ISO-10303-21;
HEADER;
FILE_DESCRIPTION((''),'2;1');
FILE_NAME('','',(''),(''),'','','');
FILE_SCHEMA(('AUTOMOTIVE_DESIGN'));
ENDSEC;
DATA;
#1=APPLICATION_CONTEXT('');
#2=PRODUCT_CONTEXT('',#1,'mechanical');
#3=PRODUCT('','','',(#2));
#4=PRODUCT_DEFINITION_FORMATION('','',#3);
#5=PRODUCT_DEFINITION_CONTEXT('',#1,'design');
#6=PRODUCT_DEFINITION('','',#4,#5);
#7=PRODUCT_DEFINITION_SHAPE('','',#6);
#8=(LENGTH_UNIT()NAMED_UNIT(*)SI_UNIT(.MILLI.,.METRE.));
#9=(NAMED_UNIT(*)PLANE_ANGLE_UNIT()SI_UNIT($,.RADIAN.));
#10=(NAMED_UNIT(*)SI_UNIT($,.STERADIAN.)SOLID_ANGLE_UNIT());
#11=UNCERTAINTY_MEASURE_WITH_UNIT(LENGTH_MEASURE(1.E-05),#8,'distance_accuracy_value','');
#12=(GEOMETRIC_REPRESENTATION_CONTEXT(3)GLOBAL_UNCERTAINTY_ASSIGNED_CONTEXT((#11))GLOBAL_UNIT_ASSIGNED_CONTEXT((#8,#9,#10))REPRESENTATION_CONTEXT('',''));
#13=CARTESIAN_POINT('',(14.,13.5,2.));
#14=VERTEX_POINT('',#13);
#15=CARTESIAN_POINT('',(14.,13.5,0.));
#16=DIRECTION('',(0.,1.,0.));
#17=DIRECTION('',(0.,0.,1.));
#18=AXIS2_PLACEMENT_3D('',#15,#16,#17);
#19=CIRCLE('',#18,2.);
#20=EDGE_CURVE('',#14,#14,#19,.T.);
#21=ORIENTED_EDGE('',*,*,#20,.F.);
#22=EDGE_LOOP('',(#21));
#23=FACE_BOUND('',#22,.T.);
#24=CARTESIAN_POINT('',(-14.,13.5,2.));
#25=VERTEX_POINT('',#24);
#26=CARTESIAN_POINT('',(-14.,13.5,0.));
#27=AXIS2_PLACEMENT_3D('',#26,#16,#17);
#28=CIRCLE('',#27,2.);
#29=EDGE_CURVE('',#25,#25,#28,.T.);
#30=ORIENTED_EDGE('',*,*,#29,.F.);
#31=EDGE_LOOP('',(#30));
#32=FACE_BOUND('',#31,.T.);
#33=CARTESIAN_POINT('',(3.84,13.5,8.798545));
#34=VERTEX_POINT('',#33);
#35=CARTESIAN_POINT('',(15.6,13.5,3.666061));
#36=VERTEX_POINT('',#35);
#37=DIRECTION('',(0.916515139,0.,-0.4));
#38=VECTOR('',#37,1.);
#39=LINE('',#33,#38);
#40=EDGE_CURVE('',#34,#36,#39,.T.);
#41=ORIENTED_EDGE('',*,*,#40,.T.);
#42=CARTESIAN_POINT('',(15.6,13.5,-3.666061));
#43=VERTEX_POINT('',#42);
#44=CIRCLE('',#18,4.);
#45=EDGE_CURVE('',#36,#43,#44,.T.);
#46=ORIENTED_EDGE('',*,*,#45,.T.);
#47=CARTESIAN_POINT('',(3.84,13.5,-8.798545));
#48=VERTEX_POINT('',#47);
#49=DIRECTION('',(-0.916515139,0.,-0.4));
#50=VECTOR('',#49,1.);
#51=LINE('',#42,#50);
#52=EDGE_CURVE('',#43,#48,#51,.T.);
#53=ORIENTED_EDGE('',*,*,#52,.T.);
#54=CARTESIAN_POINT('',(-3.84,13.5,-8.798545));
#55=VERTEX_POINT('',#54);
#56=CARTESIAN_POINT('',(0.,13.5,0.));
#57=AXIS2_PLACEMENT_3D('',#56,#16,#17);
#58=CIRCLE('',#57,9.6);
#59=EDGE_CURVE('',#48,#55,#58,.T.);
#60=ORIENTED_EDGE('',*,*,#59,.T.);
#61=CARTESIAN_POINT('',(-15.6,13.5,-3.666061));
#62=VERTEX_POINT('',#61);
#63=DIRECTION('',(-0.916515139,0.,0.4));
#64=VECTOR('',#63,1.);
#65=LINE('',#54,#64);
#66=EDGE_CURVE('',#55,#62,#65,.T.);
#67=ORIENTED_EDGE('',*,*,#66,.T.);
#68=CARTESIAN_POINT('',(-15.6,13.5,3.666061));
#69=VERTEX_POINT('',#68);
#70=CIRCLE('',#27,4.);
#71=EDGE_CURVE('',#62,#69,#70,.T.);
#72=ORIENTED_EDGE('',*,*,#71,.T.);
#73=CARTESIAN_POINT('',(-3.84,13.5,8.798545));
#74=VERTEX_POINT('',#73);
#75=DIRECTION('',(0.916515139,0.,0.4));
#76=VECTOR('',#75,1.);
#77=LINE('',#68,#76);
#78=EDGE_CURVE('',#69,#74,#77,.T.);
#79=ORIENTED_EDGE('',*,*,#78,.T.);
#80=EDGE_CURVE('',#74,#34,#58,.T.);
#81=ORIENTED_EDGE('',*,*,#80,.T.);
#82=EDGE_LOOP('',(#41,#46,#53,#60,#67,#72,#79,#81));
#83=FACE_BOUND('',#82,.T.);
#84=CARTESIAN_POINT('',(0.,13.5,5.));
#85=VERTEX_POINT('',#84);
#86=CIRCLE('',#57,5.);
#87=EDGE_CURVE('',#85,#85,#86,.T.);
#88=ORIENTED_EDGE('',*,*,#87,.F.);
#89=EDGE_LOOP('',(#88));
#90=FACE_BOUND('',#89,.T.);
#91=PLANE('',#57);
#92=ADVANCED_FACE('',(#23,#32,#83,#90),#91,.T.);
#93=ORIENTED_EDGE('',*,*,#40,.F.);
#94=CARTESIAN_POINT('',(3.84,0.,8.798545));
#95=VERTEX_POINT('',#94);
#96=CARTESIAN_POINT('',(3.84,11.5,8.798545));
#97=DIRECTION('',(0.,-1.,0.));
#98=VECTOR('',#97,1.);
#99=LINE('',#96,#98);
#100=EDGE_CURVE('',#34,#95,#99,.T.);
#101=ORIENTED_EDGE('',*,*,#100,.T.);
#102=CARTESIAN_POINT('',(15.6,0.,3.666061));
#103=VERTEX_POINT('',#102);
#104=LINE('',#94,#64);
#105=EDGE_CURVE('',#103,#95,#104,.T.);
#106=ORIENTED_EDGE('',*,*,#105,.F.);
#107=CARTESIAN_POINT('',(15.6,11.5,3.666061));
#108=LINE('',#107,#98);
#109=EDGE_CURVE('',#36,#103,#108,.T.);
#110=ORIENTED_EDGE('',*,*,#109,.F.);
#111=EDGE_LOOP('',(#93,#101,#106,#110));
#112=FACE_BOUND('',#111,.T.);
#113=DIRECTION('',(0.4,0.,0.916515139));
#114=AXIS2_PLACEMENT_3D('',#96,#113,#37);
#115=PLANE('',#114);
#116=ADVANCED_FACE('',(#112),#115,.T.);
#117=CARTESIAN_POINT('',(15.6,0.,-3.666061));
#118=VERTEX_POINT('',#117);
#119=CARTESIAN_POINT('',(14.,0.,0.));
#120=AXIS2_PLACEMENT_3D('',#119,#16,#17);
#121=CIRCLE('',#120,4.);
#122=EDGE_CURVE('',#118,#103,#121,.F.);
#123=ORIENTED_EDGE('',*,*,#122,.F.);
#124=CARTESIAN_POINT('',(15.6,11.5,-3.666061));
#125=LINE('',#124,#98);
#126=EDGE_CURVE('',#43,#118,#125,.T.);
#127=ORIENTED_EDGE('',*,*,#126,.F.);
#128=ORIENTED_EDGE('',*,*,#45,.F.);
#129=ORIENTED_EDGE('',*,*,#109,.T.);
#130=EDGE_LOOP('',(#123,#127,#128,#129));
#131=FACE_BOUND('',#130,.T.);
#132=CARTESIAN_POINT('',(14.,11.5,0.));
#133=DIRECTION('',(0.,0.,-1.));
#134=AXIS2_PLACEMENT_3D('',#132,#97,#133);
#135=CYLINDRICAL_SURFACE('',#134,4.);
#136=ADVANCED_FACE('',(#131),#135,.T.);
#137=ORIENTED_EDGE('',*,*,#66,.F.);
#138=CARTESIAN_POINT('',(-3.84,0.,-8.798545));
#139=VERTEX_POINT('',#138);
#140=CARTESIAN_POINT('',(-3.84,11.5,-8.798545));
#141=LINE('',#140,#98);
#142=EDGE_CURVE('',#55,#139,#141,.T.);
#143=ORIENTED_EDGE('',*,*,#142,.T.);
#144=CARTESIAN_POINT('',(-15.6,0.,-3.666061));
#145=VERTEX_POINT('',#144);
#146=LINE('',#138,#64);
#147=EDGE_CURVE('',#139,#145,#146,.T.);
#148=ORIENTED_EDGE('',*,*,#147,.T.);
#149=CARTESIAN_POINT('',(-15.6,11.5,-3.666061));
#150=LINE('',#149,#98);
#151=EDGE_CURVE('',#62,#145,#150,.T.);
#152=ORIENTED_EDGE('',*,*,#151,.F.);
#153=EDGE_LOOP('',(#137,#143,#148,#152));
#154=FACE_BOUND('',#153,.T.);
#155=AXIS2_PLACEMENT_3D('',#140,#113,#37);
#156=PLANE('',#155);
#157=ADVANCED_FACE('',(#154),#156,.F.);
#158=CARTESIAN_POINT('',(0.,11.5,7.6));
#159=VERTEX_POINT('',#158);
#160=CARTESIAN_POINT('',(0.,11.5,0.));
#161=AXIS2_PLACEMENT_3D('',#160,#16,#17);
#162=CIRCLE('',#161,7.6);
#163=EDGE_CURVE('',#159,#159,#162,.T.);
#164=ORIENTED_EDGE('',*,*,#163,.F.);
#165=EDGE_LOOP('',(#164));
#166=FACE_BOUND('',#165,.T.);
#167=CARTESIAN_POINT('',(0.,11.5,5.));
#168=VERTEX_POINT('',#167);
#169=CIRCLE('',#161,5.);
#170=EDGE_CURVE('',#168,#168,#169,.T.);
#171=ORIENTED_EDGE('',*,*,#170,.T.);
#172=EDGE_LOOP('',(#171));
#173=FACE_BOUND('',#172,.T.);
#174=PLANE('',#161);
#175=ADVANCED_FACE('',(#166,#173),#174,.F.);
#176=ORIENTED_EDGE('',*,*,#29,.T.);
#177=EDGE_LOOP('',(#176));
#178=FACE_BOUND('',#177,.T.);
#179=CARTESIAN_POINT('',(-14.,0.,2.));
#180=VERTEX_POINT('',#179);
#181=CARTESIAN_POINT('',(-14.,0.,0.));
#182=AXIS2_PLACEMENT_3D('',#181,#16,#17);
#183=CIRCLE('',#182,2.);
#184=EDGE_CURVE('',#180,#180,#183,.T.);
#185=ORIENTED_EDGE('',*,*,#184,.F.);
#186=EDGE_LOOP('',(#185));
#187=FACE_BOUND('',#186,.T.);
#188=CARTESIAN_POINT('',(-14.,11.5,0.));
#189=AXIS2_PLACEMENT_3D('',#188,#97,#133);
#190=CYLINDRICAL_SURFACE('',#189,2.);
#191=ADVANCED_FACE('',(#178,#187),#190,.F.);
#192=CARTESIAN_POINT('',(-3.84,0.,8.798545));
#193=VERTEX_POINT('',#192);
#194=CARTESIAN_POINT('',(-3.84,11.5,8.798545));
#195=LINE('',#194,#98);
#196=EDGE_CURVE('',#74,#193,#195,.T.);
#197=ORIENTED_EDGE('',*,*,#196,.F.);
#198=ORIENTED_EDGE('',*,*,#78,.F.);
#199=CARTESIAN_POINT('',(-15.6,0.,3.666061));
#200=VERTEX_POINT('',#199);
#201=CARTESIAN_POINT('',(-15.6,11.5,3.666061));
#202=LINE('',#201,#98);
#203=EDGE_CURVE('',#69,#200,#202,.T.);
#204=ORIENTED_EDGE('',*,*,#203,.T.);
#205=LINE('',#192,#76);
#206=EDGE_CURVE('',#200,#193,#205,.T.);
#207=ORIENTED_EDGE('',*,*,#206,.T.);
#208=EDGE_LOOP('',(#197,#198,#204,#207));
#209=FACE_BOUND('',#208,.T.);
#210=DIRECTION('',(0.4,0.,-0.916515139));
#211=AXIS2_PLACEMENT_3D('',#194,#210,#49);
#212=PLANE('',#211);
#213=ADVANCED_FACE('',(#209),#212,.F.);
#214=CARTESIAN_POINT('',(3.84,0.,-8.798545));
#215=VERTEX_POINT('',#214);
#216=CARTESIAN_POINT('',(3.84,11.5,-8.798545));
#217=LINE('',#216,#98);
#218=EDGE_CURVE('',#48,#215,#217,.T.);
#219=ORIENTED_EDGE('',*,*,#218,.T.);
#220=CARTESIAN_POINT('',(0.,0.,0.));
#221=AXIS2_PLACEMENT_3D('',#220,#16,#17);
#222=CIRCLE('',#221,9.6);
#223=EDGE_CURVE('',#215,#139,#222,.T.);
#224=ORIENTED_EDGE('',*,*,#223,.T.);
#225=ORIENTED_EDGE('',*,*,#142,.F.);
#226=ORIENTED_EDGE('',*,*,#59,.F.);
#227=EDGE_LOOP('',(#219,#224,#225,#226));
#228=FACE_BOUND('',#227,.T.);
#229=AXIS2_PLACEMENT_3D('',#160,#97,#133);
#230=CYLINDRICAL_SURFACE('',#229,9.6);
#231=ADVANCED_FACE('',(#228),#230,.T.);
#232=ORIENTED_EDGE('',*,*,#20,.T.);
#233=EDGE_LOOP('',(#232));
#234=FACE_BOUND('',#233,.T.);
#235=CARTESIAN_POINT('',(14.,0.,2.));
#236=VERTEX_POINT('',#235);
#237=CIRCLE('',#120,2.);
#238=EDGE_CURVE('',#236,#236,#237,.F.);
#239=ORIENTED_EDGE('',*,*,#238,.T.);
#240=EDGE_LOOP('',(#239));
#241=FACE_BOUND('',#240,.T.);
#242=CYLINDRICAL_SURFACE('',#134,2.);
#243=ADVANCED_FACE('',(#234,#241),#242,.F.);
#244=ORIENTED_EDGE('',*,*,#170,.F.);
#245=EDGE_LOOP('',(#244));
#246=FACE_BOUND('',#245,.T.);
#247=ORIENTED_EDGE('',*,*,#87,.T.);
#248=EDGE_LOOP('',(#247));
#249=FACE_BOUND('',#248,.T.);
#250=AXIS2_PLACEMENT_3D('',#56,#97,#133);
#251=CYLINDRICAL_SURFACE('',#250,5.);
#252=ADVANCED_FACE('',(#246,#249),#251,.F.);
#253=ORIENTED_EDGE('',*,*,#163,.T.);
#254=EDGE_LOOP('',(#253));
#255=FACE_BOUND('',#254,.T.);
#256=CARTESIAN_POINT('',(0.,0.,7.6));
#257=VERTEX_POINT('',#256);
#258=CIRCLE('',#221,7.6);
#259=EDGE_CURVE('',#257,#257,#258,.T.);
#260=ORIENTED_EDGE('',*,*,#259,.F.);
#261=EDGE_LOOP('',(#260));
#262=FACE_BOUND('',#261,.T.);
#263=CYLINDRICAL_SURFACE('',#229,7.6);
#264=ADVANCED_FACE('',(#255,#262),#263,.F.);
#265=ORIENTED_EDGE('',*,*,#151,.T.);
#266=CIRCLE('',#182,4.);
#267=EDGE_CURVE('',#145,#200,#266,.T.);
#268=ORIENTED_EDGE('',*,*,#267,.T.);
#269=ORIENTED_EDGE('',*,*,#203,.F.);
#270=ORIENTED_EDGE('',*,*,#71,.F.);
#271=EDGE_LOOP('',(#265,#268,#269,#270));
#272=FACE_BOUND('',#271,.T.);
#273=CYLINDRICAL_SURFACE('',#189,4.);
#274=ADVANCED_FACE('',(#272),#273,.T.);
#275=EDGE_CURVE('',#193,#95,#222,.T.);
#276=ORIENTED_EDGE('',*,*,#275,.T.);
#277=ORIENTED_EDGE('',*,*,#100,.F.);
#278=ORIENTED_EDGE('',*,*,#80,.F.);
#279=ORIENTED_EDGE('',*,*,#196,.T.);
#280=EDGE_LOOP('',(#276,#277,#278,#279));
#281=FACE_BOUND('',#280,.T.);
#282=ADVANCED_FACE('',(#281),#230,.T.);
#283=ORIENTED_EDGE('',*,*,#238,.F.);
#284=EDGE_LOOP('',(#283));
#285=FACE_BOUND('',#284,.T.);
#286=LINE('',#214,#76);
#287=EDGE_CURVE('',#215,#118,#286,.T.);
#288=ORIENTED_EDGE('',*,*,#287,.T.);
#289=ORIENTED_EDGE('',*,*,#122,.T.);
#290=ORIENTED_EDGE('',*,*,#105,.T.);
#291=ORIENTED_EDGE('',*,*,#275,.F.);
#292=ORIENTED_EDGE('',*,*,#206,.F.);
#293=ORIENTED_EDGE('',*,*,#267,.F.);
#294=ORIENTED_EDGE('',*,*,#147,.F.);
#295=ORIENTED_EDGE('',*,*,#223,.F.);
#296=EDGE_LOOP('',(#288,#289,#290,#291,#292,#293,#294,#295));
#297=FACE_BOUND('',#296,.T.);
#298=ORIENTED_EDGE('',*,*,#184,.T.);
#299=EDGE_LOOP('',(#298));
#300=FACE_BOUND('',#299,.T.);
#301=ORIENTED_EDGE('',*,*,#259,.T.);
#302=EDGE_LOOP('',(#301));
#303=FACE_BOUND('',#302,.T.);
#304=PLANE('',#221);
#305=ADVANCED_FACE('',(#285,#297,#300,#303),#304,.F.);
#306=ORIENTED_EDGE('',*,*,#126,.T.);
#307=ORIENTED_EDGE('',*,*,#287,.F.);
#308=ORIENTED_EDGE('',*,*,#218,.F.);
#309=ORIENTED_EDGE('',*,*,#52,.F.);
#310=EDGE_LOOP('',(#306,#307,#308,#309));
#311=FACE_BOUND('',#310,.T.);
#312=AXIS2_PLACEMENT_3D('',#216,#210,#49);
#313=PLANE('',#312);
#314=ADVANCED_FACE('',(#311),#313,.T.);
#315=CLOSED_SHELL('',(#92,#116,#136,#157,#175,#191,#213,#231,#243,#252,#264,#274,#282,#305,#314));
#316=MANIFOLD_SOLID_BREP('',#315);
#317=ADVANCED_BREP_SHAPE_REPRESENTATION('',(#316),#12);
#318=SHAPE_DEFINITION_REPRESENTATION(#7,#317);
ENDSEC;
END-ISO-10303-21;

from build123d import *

# Parameters (mm, degrees)
SKETCH1_R           = 2
SKETCH1_R_2         = 9.6
SKETCH1_R_3         = 7.6
BOSS_EXTRUDE1_DEPTH = 11.5
SKETCH2_R           = 5
SKETCH2_R_2         = 2
BOSS_EXTRUDE2_DEPTH = 2


with BuildPart() as part:
    # Sketch1 → Boss-Extrude1 (new body)
    # profile 1 of 3: a face of its own
    with BuildSketch(Plane(origin=(0, 0, 0), x_dir=(1, 0, 0), z_dir=(0, 1, 0))):
        with BuildLine():
            ThreePointArc((-3.84, -8.798545334), (-9.6, 0), (-3.84, 8.798545334))
            Line((-3.84, 8.798545334), (-15.6, 3.666060556))
            ThreePointArc((-15.6, 3.666060556), (-18, 0), (-15.6, -3.666060556))
            Line((-15.6, -3.666060556), (-3.84, -8.798545334))
        make_face()
        with Locations(Location((-14, 0, 0), (0, 0, 270))):
            Circle(SKETCH1_R, mode=Mode.SUBTRACT)
    # profile 2 of 3: a face of its own
    with BuildSketch(Plane(origin=(0, 0, 0), x_dir=(1, 0, 0), z_dir=(0, 1, 0))):
        Circle(SKETCH1_R_2)
        with Locations(Location((0, 0, 0), (0, 0, 270))):
            Circle(SKETCH1_R_3, mode=Mode.SUBTRACT)
    # profile 3 of 3: a face of its own
    with BuildSketch(Plane(origin=(0, 0, 0), x_dir=(1, 0, 0), z_dir=(0, 1, 0))):
        with BuildLine():
            Line((15.6, 3.666060556), (3.84, 8.798545334))
            ThreePointArc((3.84, 8.798545334), (8.031936255, 5.258136552), (9.6, 0))
            ThreePointArc((9.6, 0), (8.031936255, -5.258136552), (3.84, -8.798545334))
            Line((3.84, -8.798545334), (15.6, -3.666060556))
            ThreePointArc((15.6, -3.666060556), (18, 0), (15.6, 3.666060556))
        make_face()
        with Locations(Location((14, 0, 0), (0, 0, 270))):
            Circle(SKETCH1_R, mode=Mode.SUBTRACT)
    extrude(amount=BOSS_EXTRUDE1_DEPTH)

    # Sketch2 → Boss-Extrude2 (add)
    with BuildSketch(Plane(origin=(0, 11.5, 0), x_dir=(1, 0, 0), z_dir=(0, 1, 0))):
        with BuildLine():
            Line((-3.84, 8.798545334), (-15.6, 3.666060556))
            ThreePointArc((-15.6, 3.666060556), (-18, 0), (-15.6, -3.666060556))
            Line((-15.6, -3.666060556), (-3.84, -8.798545334))
            ThreePointArc((-3.84, -8.798545334), (0, -9.6), (3.84, -8.798545334))
            Line((3.84, -8.798545334), (15.6, -3.666060556))
            ThreePointArc((15.6, -3.666060556), (18, 0), (15.6, 3.666060556))
            Line((15.6, 3.666060556), (3.84, 8.798545334))
            ThreePointArc((3.84, 8.798545334), (0, 9.6), (-3.84, 8.798545334))
        make_face()
        with Locations(Location((0, 0, 0), (0, 0, 270))):
            Circle(SKETCH2_R, mode=Mode.SUBTRACT)
        with Locations(Location((-14, 0, 0), (0, 0, 270))):
            Circle(SKETCH2_R_2, mode=Mode.SUBTRACT)
        with Locations(Location((14, 0, 0), (0, 0, 270))):
            Circle(SKETCH2_R_2, mode=Mode.SUBTRACT)
    extrude(amount=BOSS_EXTRUDE2_DEPTH)


solid = part.part
